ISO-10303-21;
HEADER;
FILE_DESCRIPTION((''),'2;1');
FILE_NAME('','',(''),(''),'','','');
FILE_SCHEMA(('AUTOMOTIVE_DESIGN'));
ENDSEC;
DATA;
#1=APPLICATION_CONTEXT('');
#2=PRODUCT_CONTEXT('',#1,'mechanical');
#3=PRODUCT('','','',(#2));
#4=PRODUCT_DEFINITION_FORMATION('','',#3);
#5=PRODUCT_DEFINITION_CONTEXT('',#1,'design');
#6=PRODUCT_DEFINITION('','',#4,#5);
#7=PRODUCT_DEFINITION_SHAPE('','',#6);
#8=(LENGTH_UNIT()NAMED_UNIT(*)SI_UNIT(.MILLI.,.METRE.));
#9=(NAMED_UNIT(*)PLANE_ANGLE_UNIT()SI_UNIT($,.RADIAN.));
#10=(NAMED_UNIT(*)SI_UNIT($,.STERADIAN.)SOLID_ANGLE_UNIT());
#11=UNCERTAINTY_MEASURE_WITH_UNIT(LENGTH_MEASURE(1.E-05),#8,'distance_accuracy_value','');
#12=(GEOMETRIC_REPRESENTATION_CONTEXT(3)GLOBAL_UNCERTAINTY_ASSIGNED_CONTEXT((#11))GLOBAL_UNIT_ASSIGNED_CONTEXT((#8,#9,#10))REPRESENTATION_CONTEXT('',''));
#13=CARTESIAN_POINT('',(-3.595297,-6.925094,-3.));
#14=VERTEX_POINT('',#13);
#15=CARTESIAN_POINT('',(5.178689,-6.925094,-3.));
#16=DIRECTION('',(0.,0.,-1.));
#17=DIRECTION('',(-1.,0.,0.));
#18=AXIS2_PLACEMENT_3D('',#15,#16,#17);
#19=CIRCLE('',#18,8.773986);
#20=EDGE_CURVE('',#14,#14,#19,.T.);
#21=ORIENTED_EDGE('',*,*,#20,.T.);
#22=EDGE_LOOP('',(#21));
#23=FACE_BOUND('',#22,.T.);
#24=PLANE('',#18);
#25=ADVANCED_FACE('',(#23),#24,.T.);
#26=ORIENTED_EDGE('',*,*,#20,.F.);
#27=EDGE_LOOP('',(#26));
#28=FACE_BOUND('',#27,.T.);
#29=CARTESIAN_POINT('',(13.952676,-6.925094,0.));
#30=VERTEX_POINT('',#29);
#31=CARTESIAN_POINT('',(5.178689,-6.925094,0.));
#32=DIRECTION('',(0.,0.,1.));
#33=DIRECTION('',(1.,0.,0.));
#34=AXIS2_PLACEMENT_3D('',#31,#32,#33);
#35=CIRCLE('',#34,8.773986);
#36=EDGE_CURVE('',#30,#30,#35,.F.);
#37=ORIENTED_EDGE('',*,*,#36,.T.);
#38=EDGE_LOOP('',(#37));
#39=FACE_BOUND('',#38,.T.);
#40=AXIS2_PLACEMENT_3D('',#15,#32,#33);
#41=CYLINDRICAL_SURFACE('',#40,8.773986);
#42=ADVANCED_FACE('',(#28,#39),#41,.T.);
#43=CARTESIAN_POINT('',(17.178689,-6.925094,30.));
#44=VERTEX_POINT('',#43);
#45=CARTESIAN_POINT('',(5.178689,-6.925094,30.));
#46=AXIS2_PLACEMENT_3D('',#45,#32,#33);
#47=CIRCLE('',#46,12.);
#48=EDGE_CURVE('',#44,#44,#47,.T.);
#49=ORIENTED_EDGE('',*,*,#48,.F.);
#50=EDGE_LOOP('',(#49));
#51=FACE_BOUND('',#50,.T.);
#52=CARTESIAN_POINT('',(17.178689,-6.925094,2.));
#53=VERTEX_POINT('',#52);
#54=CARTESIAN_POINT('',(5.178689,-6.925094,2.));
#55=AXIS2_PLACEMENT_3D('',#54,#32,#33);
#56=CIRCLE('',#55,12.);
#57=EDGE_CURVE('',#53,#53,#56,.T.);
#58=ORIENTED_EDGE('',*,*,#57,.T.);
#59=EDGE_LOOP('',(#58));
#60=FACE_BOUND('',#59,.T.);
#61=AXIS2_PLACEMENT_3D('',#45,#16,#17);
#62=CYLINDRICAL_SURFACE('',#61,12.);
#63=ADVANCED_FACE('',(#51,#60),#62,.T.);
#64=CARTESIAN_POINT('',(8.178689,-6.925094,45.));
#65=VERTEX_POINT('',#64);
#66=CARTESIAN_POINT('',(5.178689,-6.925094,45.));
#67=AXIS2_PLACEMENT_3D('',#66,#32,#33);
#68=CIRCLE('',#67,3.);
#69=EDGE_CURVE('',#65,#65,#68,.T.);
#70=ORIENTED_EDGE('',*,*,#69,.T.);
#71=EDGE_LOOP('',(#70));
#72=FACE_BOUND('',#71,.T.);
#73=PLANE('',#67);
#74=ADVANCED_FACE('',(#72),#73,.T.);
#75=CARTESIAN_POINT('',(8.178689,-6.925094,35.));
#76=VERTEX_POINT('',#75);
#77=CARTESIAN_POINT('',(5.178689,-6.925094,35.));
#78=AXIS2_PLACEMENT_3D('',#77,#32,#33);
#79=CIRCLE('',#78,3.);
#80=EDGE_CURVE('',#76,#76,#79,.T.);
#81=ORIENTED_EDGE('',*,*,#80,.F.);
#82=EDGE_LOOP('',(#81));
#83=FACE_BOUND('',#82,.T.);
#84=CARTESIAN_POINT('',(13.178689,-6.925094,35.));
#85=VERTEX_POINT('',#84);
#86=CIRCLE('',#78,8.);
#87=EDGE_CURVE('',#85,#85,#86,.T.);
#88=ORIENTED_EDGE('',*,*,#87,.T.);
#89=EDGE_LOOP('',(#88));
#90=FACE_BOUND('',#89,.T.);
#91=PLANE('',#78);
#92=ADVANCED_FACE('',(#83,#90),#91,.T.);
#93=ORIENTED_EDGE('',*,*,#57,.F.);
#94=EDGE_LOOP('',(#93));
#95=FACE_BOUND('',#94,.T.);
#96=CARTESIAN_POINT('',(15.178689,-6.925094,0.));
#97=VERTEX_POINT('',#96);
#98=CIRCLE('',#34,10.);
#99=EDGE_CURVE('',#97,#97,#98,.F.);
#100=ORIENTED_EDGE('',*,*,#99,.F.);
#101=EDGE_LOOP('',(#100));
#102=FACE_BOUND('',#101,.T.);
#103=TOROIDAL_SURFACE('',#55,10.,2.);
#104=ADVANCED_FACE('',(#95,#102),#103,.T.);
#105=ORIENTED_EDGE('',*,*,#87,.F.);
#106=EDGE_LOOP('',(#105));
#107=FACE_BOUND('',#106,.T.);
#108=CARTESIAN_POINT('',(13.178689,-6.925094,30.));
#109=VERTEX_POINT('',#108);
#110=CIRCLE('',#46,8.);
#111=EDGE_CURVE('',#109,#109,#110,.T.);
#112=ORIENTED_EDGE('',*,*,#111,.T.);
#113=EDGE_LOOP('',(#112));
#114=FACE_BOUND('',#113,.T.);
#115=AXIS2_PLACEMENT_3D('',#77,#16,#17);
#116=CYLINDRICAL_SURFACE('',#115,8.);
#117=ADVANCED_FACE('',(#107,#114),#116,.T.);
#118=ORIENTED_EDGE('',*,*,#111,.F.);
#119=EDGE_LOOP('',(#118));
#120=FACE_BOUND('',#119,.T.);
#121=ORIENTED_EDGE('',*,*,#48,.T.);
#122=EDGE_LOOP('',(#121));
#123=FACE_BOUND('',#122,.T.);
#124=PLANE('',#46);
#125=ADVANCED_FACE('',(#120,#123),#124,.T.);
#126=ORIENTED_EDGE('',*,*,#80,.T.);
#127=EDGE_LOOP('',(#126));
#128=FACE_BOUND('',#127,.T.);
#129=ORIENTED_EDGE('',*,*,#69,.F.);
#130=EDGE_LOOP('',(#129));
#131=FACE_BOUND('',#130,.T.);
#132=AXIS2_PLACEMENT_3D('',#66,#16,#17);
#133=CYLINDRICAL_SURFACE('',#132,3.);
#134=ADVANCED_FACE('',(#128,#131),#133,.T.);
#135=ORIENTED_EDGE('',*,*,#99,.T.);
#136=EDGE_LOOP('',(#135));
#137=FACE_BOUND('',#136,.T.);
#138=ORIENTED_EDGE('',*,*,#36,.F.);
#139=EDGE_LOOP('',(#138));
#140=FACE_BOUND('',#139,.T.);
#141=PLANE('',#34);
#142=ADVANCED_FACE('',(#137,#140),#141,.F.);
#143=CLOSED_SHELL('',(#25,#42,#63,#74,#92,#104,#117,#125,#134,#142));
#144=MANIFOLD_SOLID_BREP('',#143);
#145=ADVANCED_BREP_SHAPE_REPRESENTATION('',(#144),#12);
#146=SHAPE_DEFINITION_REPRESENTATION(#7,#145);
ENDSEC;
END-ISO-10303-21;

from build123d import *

# Parameters (mm, degrees)
SKETCH1_R           = 12
BOSS_EXTRUDE1_DEPTH = 30
SKETCH2_R           = 8
BOSS_EXTRUDE2_DEPTH = 5
SKETCH4_R           = 1.579295677
CUT_EXTRUDE3_DEPTH  = 3
SKETCH5_R           = 3
BOSS_EXTRUDE3_DEPTH = 10
SKETCH6_R           = 8.773986351
BOSS_EXTRUDE4_DEPTH = 3
FILLET1_R           = 2


with BuildPart() as part:
    # Sketch1 → Boss-Extrude1 (new body)
    with BuildSketch(Plane.XY):
        with Locations((5.178689325, -6.92509434)):
            Circle(SKETCH1_R)
    extrude(amount=BOSS_EXTRUDE1_DEPTH)

    # Sketch2 → Boss-Extrude2 (add)
    with BuildSketch(Plane.XY.offset(30)):
        with Locations((5.178689325, -6.92509434)):
            Circle(SKETCH2_R)
    extrude(amount=BOSS_EXTRUDE2_DEPTH)

    # Sketch4 → Cut-Extrude3 (cut)
    with BuildSketch(Plane.XY.offset(35)):
        with Locations((5.178689325, 2.995609984)):
            Circle(SKETCH4_R)
        with Locations((15.099393648, -6.92509434)):
            Circle(SKETCH4_R)
        with Locations((5.178689325, -16.845798663)):
            Circle(SKETCH4_R)
        with Locations((-4.742014998, -6.92509434)):
            Circle(SKETCH4_R)
    extrude(amount=-CUT_EXTRUDE3_DEPTH, mode=Mode.SUBTRACT)

    # Sketch5 → Boss-Extrude3 (add)
    with BuildSketch(Plane.XY.offset(35)):
        with Locations((5.178689325, -6.92509434)):
            Circle(SKETCH5_R)
    extrude(amount=BOSS_EXTRUDE3_DEPTH)

    # Sketch6 → Boss-Extrude4 (add)
    with BuildSketch(Plane(origin=(0, 0, 0), x_dir=(-1, 0, 0), z_dir=(0, 0, -1))):
        with Locations((-5.178689325, -6.92509434)):
            Circle(SKETCH6_R)
    extrude(amount=BOSS_EXTRUDE4_DEPTH)

    # Fillet1
    fillet1_edges = [part.edges().sort_by_distance(p)[0] for p in [
        (-6.821310675, -6.92509434, 0),
    ]]
    fillet(fillet1_edges, radius=FILLET1_R)


solid = part.part
